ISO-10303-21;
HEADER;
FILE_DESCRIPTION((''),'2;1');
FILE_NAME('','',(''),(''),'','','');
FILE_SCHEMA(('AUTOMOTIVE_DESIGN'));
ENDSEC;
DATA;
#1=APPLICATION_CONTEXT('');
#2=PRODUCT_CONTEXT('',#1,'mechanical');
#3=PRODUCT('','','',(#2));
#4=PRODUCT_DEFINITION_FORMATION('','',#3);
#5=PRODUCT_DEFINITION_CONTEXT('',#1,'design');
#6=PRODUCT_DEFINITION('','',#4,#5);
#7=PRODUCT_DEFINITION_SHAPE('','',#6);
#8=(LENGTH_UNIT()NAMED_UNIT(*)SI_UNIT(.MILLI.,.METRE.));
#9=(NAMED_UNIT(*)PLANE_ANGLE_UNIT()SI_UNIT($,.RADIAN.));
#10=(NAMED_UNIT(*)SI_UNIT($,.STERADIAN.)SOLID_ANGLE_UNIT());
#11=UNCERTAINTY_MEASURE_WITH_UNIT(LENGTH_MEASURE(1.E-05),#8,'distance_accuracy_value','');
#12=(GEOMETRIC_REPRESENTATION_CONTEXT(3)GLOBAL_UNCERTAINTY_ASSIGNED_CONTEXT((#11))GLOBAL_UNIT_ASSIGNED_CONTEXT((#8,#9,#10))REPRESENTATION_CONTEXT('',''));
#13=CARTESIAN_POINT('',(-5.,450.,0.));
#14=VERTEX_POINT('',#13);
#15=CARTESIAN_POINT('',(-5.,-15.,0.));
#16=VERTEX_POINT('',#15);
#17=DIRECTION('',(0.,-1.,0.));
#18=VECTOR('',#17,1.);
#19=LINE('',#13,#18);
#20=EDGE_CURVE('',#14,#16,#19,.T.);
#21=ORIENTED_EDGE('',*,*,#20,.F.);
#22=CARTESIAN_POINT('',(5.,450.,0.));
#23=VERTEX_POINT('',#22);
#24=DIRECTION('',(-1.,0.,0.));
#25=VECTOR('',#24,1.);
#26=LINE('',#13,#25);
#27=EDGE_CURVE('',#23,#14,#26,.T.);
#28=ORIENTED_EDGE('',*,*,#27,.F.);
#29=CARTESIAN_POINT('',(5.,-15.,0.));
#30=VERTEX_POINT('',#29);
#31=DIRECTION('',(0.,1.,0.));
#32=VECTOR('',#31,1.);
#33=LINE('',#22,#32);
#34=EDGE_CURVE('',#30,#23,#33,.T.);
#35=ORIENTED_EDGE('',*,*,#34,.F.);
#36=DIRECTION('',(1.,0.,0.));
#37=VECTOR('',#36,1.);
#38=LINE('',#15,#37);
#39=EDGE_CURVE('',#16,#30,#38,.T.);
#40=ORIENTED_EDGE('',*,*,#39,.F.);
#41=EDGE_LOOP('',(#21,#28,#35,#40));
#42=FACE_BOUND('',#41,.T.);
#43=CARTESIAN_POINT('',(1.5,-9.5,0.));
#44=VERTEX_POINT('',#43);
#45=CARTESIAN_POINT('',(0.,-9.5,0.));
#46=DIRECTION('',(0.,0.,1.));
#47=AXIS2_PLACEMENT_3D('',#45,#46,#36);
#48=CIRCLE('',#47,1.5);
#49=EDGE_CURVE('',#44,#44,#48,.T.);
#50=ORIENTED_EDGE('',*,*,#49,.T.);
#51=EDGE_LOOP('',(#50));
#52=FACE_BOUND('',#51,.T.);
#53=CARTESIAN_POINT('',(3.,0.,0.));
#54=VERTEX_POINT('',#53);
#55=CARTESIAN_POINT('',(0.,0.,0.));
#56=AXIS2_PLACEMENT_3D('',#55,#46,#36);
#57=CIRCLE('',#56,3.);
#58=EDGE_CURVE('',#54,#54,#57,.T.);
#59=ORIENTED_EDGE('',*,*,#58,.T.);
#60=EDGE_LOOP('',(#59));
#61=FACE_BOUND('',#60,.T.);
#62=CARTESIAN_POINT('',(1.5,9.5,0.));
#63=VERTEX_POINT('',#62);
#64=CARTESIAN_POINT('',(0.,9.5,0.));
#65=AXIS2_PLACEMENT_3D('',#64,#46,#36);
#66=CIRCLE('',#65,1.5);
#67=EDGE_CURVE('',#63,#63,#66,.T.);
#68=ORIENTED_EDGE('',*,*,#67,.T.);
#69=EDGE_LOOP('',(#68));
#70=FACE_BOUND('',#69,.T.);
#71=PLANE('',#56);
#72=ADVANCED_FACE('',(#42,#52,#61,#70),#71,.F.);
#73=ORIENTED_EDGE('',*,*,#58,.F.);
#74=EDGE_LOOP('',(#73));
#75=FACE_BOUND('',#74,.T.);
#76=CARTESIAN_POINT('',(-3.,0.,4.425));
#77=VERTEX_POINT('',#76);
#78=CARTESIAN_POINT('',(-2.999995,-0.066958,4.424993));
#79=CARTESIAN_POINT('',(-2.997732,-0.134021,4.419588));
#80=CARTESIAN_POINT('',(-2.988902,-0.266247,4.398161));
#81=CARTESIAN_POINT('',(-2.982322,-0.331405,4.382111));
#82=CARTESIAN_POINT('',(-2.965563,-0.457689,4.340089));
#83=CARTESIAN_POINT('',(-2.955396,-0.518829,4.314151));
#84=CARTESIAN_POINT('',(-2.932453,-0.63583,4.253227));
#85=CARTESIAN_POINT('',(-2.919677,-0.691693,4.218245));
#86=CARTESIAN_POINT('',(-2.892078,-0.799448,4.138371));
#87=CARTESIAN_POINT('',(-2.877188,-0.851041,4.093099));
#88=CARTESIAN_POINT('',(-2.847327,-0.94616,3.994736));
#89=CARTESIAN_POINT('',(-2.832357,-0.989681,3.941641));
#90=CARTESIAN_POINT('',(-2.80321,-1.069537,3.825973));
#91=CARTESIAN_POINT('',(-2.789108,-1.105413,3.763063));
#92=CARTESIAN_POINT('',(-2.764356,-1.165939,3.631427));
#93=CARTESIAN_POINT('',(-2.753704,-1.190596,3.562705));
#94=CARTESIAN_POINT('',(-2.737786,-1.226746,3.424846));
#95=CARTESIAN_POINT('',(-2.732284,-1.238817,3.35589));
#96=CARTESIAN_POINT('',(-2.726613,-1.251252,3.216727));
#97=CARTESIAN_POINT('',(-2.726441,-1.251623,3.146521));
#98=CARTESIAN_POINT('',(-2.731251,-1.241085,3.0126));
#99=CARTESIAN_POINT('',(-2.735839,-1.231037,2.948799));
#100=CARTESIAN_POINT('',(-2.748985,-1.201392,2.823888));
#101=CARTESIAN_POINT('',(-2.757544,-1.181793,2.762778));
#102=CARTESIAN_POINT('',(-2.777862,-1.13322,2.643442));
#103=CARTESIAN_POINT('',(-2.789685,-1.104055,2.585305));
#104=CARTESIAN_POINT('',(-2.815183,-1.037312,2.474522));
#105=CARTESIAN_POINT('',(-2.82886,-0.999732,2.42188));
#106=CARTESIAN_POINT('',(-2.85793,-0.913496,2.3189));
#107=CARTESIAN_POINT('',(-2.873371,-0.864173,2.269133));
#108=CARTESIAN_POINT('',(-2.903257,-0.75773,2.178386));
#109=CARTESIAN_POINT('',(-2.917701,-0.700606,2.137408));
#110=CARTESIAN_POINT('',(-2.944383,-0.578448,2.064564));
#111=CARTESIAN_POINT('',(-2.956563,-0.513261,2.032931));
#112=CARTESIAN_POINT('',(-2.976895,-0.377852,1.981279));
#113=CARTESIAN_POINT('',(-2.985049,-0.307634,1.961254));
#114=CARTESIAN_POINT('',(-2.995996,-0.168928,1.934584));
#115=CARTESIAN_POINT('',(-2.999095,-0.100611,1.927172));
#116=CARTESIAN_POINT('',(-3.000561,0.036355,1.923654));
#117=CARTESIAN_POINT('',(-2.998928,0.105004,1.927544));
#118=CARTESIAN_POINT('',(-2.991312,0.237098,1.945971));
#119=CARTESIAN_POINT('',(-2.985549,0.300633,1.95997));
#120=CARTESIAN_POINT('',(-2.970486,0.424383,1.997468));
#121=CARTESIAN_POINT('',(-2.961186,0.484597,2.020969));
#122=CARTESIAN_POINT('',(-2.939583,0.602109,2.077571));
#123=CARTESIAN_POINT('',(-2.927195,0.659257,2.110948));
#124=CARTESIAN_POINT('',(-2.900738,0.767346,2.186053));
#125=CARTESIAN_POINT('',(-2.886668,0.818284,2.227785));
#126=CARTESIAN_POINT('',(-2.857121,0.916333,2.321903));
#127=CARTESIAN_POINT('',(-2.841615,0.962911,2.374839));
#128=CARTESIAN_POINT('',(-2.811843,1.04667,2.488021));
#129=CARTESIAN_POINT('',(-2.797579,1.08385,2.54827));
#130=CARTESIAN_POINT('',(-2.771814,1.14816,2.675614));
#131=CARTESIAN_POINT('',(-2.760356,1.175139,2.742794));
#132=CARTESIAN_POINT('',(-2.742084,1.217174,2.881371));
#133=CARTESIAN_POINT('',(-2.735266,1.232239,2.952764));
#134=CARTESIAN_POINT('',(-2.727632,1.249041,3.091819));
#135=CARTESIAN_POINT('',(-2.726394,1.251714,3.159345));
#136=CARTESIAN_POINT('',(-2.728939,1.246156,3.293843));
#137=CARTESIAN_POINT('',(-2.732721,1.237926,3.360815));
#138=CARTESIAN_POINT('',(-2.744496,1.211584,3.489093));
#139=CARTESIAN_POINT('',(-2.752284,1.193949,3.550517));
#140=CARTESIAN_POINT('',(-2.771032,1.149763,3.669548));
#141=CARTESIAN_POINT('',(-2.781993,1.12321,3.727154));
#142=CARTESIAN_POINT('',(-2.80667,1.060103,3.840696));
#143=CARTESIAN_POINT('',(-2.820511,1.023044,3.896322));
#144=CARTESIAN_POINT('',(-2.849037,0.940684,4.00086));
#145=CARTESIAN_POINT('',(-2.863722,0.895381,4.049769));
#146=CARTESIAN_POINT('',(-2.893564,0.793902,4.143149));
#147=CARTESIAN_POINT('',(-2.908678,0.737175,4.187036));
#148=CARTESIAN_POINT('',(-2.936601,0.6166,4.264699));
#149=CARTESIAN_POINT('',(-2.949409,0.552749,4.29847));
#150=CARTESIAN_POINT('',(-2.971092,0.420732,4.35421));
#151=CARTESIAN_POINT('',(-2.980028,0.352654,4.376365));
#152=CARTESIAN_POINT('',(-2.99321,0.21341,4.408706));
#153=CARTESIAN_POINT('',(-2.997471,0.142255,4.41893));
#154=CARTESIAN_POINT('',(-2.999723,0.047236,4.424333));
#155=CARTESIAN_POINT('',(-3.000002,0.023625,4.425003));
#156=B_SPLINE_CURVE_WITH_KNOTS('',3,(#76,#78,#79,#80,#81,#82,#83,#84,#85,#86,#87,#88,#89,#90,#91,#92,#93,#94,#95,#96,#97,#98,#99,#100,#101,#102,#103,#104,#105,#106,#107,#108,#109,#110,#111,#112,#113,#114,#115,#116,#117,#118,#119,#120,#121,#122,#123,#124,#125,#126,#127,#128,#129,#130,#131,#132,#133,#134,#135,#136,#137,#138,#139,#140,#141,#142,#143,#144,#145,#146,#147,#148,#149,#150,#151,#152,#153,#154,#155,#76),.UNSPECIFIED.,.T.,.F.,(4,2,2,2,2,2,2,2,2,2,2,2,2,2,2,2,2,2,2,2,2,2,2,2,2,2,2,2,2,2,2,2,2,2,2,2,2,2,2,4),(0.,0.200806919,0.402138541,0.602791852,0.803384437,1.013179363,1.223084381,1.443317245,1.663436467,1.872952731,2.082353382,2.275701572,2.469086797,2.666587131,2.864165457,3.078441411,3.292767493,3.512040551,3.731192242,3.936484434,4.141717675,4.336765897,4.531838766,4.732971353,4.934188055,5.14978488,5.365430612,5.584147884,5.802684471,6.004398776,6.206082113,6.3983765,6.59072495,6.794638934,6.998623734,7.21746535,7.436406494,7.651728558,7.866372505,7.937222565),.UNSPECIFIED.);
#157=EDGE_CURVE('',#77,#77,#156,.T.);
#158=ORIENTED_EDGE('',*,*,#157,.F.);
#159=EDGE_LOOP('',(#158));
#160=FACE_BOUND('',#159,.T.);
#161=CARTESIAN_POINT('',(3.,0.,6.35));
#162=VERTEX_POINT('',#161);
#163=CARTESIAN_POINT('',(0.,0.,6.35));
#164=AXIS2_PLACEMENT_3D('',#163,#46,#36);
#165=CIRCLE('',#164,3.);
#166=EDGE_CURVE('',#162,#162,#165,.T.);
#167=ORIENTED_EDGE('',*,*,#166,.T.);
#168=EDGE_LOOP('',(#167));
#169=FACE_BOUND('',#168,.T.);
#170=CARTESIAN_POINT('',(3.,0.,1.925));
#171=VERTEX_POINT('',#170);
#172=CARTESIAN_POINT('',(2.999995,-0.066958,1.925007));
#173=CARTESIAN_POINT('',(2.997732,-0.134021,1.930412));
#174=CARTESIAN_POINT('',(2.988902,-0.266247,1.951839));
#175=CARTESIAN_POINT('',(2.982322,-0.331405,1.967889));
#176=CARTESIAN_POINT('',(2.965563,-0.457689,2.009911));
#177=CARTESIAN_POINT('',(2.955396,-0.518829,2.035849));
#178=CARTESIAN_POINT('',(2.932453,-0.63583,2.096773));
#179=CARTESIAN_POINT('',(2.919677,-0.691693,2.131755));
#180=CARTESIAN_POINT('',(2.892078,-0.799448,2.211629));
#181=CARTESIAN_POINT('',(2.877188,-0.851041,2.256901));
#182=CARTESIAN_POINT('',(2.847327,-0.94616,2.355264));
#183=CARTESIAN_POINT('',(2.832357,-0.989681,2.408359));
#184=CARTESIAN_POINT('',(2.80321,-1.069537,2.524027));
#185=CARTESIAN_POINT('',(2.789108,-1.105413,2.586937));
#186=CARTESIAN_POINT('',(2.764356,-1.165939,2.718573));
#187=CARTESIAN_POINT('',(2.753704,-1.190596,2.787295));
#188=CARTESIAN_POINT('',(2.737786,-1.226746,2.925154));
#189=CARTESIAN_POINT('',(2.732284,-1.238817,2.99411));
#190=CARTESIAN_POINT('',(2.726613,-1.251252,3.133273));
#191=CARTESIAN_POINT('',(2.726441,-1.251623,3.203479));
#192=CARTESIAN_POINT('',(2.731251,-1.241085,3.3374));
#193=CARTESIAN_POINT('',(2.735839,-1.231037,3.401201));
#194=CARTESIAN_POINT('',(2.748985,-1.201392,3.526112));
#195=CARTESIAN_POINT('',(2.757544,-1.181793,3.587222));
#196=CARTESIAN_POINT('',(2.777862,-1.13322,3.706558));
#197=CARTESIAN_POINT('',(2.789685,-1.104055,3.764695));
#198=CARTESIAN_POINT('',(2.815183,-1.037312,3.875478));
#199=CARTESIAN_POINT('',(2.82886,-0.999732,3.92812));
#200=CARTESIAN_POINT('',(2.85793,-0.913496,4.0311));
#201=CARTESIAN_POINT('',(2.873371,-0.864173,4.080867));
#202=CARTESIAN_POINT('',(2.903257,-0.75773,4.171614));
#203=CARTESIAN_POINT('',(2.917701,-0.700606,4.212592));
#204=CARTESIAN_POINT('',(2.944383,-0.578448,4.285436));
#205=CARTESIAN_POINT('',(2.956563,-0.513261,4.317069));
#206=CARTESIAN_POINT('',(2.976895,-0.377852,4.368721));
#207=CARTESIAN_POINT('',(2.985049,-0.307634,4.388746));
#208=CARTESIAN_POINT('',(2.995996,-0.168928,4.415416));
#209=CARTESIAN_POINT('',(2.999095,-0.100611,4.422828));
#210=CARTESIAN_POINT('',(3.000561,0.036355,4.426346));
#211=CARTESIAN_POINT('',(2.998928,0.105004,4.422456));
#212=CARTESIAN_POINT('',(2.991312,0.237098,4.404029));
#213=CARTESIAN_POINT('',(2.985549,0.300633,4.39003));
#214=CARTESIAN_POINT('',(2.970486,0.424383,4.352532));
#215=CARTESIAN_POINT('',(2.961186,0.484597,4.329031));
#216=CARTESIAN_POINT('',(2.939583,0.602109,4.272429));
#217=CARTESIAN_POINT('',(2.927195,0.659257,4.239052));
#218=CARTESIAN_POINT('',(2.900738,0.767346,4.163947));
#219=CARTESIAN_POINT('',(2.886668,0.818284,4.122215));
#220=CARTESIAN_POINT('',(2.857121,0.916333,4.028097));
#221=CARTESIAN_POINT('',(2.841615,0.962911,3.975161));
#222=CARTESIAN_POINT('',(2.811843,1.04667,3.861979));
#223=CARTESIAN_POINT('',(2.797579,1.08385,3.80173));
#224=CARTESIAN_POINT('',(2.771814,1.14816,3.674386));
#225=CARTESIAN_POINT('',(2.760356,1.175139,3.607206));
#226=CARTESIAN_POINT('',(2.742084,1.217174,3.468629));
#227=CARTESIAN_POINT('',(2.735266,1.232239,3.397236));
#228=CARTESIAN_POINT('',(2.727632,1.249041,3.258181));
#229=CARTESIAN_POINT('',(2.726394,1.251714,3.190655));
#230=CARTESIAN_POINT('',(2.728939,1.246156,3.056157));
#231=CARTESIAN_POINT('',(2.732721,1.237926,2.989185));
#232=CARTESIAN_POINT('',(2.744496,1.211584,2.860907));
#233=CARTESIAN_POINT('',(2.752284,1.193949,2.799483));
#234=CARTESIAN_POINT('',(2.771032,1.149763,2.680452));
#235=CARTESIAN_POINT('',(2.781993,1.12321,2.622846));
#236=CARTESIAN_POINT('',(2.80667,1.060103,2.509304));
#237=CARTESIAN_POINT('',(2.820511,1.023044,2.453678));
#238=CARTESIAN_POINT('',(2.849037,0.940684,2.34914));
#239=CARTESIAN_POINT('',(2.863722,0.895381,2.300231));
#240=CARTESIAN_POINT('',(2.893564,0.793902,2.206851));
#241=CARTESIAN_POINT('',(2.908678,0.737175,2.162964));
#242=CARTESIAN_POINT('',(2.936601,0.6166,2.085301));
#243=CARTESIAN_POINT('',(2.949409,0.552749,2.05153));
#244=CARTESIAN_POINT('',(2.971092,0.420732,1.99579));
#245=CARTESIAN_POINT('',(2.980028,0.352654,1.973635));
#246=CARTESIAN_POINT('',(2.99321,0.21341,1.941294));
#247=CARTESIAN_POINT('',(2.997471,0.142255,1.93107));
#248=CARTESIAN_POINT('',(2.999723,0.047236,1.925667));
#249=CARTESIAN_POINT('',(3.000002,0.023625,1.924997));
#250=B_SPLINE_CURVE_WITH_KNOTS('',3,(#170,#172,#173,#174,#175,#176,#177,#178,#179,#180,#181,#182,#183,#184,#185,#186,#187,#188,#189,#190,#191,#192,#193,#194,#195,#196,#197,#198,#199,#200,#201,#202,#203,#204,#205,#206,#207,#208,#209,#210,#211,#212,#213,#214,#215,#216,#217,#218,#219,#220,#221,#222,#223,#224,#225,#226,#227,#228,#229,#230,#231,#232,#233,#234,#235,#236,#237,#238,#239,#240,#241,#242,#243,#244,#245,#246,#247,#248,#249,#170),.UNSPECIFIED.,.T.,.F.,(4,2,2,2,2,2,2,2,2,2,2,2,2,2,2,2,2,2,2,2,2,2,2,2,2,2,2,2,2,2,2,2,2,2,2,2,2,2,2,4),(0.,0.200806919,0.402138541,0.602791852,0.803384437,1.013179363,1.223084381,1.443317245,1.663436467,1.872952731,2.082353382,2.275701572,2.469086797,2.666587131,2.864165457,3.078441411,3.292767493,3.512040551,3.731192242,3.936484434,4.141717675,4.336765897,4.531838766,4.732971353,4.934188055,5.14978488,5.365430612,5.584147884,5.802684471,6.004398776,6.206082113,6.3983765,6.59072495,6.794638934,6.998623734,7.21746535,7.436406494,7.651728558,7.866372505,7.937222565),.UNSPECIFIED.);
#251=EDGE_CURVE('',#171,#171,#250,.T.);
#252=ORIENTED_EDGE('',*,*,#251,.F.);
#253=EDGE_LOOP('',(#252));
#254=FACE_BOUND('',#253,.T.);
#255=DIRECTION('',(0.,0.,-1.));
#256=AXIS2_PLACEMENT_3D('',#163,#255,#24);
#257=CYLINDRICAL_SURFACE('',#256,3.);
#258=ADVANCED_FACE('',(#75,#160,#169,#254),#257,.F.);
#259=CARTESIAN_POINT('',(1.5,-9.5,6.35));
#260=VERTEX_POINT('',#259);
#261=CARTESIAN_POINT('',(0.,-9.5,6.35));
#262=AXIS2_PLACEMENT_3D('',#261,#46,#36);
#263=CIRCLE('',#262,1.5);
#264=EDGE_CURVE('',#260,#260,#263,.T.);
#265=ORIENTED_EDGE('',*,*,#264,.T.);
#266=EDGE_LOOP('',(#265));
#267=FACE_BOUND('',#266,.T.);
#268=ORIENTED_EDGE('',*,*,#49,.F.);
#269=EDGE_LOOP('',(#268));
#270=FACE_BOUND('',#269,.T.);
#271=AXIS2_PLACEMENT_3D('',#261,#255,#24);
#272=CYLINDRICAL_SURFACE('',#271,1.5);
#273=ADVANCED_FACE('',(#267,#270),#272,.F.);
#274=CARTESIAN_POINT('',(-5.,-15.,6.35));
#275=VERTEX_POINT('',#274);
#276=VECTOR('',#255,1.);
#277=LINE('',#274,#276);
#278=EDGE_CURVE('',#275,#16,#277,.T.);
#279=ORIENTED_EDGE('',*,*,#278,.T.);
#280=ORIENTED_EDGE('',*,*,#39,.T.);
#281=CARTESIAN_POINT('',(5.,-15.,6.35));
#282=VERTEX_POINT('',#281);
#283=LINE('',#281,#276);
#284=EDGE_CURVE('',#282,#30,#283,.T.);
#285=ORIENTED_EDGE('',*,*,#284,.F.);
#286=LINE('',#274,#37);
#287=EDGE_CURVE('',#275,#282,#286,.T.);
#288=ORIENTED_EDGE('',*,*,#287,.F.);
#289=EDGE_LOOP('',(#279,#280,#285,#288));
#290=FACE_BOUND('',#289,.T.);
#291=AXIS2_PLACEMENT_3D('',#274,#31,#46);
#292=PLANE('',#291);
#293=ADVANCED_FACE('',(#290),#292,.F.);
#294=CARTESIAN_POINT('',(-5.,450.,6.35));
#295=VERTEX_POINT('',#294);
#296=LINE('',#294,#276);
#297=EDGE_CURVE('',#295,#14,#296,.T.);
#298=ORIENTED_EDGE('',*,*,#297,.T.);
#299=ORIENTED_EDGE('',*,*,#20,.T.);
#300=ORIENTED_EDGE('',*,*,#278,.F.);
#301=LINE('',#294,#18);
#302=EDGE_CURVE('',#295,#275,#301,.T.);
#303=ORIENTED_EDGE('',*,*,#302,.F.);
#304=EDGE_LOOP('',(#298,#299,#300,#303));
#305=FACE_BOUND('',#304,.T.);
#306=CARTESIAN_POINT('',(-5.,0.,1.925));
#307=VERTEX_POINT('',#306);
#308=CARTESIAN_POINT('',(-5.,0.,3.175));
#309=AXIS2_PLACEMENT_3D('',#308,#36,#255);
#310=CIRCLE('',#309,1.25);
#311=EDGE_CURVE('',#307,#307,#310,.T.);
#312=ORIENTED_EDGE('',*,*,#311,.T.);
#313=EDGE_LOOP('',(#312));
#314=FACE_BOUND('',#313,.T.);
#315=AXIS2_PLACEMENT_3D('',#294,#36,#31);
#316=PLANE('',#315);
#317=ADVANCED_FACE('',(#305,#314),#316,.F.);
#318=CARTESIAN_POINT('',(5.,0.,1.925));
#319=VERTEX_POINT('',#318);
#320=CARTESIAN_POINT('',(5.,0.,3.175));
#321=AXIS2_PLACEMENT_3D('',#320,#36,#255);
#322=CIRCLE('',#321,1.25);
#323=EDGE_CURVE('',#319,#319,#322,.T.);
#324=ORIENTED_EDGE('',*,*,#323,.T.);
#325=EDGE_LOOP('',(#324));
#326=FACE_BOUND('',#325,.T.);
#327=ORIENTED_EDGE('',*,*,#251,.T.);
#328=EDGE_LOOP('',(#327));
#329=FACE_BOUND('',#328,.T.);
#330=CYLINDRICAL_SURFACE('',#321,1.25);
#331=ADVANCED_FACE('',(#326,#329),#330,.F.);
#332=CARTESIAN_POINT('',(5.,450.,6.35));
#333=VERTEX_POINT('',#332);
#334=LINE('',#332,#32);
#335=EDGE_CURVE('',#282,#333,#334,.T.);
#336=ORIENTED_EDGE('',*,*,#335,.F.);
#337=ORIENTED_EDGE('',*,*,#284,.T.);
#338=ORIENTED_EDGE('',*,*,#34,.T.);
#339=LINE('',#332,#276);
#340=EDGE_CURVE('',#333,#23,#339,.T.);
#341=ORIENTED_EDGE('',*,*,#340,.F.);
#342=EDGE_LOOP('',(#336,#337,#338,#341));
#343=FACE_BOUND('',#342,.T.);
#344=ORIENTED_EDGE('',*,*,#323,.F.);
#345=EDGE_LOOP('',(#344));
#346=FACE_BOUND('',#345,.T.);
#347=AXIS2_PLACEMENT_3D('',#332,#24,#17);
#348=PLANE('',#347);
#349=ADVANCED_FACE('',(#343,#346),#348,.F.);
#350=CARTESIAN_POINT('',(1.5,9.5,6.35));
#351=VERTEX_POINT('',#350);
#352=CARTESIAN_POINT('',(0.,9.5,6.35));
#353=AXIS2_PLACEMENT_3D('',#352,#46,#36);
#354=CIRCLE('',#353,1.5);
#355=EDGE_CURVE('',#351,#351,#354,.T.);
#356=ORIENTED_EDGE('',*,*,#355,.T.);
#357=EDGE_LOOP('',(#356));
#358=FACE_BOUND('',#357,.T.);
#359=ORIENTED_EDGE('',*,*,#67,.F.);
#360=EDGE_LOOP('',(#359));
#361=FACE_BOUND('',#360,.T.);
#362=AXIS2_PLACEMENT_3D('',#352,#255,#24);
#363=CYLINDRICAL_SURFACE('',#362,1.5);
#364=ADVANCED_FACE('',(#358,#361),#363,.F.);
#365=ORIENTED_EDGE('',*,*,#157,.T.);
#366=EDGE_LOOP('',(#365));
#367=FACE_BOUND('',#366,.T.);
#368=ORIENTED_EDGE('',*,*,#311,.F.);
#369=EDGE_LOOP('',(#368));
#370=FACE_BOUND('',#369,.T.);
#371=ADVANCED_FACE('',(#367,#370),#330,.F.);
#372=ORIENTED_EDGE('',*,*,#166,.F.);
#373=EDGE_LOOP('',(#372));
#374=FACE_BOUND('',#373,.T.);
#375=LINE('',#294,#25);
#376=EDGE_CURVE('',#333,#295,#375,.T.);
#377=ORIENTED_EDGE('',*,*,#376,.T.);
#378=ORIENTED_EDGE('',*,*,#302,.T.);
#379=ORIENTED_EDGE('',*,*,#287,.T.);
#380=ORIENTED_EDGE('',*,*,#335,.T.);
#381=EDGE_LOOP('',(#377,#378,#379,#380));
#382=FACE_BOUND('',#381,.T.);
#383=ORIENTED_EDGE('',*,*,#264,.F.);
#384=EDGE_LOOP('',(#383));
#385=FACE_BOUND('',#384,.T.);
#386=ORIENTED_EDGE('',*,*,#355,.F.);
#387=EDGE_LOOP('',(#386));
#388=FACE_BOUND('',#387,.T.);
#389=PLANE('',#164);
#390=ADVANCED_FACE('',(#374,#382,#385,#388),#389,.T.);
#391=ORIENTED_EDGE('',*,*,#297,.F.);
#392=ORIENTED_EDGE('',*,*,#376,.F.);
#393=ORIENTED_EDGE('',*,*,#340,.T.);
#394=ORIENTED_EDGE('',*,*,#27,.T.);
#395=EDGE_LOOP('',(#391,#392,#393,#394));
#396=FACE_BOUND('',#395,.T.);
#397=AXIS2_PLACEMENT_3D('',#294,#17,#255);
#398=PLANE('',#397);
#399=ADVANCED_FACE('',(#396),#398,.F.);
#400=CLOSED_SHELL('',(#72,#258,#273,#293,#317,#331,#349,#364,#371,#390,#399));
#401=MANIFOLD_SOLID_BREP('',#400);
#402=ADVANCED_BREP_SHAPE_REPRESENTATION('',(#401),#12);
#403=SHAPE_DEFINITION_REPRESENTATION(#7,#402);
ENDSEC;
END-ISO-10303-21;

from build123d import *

# Parameters (mm, degrees)
SKETCH1_W                   = 10
SKETCH1_H                   = 465
SKETCH1_R                   = 1.5
SKETCH1_R_2                 = 3
BOSS_EXTRUDE1_DEPTH         = 6.35
TAP_DRILL_FOR_M3X0_5_TAP1_D = 2.5


with BuildPart() as part:
    # Sketch1 → Boss-Extrude1 (new body)
    with BuildSketch(Plane.XY):
        with Locations((0, 217.5)):
            Rectangle(SKETCH1_W, SKETCH1_H)
        with Locations((0, -9.5)):
            Circle(SKETCH1_R, mode=Mode.SUBTRACT)
        Circle(SKETCH1_R_2, mode=Mode.SUBTRACT)
        with Locations((0, 9.5)):
            Circle(SKETCH1_R, mode=Mode.SUBTRACT)
    extrude(amount=BOSS_EXTRUDE1_DEPTH)

    # Tap Drill for M3x0.5 Tap1 (through all)
    with Locations(Plane(origin=(5, 0, 0), x_dir=(0, 0, -1), z_dir=(1, 0, 0))):
        with Locations((-3.175, 0)):
            Hole(TAP_DRILL_FOR_M3X0_5_TAP1_D / 2)


solid = part.part
